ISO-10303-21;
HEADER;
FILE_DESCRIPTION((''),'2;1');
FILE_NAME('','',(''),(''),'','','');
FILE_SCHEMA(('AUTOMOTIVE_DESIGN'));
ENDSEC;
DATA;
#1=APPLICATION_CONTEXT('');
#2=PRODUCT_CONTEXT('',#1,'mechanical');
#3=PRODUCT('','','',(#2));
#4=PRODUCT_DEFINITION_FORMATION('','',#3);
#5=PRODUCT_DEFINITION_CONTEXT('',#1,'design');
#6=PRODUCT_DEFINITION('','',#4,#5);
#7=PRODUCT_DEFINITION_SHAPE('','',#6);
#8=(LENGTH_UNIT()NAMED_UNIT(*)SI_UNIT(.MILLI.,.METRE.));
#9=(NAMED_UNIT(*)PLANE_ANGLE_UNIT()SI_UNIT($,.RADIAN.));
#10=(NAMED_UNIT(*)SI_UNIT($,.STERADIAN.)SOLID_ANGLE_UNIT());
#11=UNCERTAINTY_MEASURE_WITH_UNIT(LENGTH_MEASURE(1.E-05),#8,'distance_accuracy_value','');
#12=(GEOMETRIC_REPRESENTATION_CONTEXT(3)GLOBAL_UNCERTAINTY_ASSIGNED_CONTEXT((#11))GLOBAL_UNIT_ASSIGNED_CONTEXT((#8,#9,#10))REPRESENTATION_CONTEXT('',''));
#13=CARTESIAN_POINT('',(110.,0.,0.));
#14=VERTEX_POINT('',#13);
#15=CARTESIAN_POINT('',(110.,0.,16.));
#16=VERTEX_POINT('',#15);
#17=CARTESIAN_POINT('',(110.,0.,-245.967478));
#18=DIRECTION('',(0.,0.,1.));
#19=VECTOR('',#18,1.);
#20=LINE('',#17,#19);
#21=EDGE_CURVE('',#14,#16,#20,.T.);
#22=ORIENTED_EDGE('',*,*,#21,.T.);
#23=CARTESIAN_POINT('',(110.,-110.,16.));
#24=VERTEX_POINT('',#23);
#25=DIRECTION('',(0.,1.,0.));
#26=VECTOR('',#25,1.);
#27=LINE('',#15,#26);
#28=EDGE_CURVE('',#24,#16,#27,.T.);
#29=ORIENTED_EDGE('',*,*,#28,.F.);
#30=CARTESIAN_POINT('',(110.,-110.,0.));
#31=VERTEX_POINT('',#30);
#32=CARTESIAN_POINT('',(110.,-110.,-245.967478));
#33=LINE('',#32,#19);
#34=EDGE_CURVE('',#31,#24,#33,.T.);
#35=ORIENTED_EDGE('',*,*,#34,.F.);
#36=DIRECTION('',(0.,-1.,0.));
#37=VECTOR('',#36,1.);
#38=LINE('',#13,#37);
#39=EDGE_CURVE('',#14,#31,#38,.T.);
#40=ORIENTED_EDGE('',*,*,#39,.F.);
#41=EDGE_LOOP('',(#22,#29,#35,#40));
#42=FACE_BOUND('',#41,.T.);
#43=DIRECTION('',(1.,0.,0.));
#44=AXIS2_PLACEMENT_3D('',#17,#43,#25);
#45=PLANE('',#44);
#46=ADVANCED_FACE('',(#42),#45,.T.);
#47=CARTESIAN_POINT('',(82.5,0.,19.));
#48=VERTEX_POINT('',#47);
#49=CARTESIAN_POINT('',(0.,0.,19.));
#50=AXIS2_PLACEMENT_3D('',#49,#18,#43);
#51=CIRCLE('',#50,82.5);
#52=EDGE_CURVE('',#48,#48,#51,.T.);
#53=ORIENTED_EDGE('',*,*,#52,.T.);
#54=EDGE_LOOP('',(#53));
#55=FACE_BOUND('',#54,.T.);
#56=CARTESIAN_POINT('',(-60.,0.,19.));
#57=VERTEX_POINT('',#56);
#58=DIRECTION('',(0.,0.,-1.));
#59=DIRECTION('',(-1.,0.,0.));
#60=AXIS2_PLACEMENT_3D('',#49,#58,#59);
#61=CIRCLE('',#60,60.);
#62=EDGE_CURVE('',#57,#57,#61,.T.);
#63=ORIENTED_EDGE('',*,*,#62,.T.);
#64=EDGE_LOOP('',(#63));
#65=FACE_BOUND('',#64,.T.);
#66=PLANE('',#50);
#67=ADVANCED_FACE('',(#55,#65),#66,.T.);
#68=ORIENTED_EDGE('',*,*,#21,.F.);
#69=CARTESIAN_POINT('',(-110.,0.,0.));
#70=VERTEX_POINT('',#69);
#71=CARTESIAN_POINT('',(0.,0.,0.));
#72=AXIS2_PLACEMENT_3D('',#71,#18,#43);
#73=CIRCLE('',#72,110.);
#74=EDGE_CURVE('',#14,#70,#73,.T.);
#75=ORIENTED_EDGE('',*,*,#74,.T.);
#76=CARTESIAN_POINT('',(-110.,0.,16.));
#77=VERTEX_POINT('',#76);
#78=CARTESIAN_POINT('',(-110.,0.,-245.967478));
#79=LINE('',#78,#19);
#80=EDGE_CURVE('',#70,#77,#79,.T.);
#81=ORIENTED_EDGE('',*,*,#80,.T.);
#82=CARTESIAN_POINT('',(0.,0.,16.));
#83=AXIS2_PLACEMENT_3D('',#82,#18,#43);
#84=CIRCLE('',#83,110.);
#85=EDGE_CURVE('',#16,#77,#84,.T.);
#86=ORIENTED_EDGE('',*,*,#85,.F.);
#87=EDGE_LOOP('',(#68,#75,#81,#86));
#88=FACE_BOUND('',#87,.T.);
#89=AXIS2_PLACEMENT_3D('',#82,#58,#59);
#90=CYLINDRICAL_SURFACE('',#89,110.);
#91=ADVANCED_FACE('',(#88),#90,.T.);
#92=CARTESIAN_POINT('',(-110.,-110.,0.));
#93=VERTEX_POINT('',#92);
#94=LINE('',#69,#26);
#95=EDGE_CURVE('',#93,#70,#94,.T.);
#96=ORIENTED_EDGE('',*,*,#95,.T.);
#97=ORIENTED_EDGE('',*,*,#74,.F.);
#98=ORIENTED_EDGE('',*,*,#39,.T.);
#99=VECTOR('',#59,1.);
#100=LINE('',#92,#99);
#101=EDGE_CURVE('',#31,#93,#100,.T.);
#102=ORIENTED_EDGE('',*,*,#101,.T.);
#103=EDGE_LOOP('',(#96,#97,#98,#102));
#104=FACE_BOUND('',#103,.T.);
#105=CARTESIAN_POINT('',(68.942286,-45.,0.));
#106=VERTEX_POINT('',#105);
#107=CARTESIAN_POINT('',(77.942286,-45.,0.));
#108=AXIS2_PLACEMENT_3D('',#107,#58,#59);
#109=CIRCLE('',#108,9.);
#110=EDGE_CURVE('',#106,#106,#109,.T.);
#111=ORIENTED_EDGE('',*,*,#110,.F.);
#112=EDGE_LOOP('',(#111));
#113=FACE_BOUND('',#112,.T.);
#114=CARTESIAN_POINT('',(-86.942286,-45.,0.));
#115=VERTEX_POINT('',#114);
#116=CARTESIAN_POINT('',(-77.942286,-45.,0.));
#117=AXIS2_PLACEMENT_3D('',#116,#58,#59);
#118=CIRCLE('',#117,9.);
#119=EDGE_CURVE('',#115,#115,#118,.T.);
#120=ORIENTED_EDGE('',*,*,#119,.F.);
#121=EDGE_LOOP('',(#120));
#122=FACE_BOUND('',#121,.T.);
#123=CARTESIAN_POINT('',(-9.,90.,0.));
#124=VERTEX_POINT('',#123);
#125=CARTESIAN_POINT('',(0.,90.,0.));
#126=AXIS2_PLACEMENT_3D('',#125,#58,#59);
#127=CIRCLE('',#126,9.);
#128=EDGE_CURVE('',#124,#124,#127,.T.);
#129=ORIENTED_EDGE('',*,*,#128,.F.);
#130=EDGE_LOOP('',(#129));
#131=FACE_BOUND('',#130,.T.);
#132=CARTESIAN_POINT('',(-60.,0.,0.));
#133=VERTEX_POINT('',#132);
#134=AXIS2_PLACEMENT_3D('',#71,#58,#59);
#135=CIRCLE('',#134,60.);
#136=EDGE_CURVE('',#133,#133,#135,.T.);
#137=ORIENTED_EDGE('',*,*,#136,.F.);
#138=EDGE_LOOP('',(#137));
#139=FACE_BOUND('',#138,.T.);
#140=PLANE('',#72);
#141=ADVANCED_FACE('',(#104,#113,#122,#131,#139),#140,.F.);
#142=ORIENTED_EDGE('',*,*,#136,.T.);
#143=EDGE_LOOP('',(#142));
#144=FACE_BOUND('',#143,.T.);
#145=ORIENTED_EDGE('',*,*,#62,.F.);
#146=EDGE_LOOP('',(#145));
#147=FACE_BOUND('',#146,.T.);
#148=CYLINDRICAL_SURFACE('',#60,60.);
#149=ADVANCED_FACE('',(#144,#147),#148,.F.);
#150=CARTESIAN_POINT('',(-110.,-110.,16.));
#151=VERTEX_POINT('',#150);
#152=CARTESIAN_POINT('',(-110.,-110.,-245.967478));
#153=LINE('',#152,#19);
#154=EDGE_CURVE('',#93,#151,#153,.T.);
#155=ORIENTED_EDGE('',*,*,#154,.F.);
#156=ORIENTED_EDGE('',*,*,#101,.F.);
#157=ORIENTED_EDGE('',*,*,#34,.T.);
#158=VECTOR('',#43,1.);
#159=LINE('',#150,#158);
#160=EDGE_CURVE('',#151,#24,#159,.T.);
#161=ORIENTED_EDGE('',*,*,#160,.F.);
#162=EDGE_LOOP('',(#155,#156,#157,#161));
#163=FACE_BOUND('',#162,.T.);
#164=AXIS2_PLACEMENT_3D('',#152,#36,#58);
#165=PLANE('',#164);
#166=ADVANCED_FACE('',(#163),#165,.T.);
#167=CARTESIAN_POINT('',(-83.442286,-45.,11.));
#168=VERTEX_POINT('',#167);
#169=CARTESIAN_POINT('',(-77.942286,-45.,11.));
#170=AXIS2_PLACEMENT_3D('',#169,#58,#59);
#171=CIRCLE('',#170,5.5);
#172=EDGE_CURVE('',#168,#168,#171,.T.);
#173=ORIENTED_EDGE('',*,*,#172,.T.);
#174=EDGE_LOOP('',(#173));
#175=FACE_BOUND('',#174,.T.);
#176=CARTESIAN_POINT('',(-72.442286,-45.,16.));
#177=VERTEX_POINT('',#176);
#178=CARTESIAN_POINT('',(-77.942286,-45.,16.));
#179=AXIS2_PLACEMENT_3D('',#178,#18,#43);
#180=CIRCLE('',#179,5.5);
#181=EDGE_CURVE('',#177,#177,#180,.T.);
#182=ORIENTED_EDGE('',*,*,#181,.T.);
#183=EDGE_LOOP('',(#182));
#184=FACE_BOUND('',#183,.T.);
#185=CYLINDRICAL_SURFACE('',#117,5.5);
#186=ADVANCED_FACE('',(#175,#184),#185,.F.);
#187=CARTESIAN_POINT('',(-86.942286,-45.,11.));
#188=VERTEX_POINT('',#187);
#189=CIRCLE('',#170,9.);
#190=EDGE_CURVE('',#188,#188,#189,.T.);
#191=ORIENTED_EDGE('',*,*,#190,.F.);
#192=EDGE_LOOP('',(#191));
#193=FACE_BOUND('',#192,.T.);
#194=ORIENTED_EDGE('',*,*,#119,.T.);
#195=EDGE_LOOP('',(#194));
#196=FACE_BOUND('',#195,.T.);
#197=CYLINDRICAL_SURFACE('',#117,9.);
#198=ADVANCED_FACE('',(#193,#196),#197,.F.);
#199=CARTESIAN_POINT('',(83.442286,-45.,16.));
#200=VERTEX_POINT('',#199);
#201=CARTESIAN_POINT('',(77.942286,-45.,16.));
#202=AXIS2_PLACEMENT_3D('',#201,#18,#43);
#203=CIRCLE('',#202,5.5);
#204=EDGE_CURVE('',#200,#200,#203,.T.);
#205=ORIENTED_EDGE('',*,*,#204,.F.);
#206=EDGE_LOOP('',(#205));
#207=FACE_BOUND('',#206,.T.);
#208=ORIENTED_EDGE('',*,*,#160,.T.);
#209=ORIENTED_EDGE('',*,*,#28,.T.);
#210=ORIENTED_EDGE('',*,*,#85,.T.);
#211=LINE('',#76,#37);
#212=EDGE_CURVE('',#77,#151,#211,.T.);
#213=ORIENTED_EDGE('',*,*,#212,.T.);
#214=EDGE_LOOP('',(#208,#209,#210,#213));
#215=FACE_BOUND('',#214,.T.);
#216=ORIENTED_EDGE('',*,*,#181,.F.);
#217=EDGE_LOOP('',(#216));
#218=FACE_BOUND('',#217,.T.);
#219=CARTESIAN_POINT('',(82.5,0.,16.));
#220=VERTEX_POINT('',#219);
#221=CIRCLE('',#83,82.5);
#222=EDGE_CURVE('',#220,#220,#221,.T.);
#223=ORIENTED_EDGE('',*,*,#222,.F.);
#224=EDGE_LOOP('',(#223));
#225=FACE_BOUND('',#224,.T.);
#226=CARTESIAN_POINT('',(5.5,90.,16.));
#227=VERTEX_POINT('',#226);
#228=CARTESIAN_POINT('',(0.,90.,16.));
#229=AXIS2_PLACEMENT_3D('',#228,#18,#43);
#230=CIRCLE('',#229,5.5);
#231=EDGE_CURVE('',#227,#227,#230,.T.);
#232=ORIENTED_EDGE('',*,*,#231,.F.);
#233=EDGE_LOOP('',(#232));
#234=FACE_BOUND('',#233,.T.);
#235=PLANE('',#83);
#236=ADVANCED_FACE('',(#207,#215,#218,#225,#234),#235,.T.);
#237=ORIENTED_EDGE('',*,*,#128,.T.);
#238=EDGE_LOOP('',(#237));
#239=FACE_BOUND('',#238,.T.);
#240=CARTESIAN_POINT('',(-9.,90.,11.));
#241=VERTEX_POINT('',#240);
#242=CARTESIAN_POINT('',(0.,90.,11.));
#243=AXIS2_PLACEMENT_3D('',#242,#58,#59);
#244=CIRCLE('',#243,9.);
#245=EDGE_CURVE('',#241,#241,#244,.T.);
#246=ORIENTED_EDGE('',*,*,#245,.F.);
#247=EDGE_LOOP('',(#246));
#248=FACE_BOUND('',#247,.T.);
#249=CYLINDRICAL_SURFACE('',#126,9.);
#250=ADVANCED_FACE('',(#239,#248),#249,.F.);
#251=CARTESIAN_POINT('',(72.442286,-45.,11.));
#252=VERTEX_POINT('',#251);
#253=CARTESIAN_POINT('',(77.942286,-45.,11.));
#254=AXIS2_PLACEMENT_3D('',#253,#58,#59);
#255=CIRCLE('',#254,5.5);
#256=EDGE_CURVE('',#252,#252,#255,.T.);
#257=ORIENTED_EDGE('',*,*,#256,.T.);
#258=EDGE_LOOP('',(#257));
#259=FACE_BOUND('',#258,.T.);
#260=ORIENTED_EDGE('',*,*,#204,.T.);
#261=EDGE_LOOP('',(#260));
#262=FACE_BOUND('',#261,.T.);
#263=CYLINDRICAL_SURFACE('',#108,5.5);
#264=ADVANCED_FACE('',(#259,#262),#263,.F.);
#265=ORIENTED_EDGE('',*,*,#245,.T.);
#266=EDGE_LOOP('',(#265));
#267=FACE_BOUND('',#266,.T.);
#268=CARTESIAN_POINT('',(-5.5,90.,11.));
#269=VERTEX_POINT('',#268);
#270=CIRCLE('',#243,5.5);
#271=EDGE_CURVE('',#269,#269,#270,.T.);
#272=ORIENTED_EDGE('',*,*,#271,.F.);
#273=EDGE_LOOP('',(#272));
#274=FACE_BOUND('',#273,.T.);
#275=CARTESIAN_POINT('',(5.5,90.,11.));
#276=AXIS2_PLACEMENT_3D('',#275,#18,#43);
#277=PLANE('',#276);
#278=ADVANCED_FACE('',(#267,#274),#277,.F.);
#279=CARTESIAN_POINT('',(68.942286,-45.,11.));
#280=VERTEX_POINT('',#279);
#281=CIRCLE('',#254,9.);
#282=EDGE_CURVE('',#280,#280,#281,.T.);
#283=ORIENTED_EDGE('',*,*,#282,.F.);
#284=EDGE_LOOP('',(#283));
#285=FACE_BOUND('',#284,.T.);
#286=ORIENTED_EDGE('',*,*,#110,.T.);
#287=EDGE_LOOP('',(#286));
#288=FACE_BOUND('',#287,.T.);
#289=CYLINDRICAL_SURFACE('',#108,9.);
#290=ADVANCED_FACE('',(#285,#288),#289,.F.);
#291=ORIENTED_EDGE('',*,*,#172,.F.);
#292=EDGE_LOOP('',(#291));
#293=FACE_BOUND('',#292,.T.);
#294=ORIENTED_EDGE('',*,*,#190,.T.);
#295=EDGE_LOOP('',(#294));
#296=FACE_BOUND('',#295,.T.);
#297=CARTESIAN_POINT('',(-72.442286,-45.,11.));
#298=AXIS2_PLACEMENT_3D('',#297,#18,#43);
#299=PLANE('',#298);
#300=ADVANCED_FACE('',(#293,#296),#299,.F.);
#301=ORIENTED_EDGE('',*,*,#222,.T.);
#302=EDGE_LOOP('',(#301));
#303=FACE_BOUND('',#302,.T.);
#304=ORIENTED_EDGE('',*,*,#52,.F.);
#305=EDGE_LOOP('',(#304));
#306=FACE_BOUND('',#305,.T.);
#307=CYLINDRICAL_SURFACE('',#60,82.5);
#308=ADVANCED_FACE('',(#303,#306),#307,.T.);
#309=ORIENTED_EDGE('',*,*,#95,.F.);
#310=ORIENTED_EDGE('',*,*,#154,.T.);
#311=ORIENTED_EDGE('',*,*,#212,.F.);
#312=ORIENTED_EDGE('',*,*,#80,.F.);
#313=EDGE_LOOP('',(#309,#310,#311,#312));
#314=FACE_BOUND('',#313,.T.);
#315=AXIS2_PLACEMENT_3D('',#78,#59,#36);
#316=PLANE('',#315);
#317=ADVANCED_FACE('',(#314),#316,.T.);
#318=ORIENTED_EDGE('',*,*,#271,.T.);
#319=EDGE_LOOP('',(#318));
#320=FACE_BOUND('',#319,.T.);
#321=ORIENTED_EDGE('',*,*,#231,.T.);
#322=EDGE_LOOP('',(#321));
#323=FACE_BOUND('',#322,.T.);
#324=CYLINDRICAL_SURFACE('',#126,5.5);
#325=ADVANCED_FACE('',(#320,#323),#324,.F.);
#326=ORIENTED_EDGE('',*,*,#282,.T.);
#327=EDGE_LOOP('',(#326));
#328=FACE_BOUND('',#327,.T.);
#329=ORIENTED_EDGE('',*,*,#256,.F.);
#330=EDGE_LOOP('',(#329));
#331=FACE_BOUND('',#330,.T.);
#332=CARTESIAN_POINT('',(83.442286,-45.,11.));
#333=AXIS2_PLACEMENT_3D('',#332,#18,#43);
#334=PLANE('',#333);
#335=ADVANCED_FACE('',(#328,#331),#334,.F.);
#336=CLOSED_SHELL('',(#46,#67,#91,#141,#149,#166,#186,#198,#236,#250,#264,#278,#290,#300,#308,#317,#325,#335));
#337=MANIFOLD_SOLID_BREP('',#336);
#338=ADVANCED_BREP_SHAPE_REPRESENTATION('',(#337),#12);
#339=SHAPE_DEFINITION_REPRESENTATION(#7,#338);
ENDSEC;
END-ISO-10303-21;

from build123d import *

# Parameters (mm, degrees)
SKETCH_1_R                = 110
EXTRUDE_1_DEPTH           = 16
SKETCH_2_W                = 220
SKETCH_2_H                = 110
EXTRUDE_2_DEPTH           = 16
SKETCH_3_R                = 82.5
EXTRUDE_3_DEPTH           = 3
HOLE_WIZARD_1_D           = 11
HOLE_WIZARD_1_CBORE_D     = 18
HOLE_WIZARD_1_CBORE_DEPTH = 11
PATTERN_CIRCULAR_1_COUNT  = 3
SKETCH_6_R                = 60
CUT_EXTRUDE_1_DEPTH       = 157.719494639


with BuildPart() as part:
    # 草图1 → 凸台-拉伸1 (new body)
    with BuildSketch(Plane.XY):
        Circle(SKETCH_1_R)
    extrude(amount=EXTRUDE_1_DEPTH)

    # 草图2 → 凸台-拉伸2 (add)
    with BuildSketch(Plane.XY.offset(16)):
        with Locations((0, -55)):
            Rectangle(SKETCH_2_W, SKETCH_2_H)
    extrude(amount=-EXTRUDE_2_DEPTH)

    # 草图3 → 凸台-拉伸3 (add)
    with BuildSketch(Plane.XY.offset(16)):
        Circle(SKETCH_3_R)
    extrude(amount=EXTRUDE_3_DEPTH)

    # 打孔尺寸(%根据)内六角圆柱头螺钉的类型1 (through all)
    with Locations(Plane(origin=(0, 0, 0), x_dir=(-1, 0, 0), z_dir=(0, 0, -1))):
        with Locations((0, 90)):
            hole_wizard_1 = CounterBoreHole(HOLE_WIZARD_1_D / 2, HOLE_WIZARD_1_CBORE_D / 2, HOLE_WIZARD_1_CBORE_DEPTH)

    # 阵列(圆周)1: 打孔尺寸(%根据)内六角圆柱头螺钉的类型1 ×3 about axis
    pattern_circular_1_axis = Axis((0, 0, 0), (0, 0, 1))
    for i in range(1, PATTERN_CIRCULAR_1_COUNT):
        add(hole_wizard_1.rotate(pattern_circular_1_axis, i * 360 / PATTERN_CIRCULAR_1_COUNT), mode=Mode.SUBTRACT)

    # 草图6 → 切除-拉伸1 (cut, through all)
    with BuildSketch(Plane(origin=(0, 0, 0), x_dir=(-1, 0, 0), z_dir=(0, 0, -1))):
        Circle(SKETCH_6_R)
    extrude(amount=-CUT_EXTRUDE_1_DEPTH, mode=Mode.SUBTRACT)


solid = part.part
